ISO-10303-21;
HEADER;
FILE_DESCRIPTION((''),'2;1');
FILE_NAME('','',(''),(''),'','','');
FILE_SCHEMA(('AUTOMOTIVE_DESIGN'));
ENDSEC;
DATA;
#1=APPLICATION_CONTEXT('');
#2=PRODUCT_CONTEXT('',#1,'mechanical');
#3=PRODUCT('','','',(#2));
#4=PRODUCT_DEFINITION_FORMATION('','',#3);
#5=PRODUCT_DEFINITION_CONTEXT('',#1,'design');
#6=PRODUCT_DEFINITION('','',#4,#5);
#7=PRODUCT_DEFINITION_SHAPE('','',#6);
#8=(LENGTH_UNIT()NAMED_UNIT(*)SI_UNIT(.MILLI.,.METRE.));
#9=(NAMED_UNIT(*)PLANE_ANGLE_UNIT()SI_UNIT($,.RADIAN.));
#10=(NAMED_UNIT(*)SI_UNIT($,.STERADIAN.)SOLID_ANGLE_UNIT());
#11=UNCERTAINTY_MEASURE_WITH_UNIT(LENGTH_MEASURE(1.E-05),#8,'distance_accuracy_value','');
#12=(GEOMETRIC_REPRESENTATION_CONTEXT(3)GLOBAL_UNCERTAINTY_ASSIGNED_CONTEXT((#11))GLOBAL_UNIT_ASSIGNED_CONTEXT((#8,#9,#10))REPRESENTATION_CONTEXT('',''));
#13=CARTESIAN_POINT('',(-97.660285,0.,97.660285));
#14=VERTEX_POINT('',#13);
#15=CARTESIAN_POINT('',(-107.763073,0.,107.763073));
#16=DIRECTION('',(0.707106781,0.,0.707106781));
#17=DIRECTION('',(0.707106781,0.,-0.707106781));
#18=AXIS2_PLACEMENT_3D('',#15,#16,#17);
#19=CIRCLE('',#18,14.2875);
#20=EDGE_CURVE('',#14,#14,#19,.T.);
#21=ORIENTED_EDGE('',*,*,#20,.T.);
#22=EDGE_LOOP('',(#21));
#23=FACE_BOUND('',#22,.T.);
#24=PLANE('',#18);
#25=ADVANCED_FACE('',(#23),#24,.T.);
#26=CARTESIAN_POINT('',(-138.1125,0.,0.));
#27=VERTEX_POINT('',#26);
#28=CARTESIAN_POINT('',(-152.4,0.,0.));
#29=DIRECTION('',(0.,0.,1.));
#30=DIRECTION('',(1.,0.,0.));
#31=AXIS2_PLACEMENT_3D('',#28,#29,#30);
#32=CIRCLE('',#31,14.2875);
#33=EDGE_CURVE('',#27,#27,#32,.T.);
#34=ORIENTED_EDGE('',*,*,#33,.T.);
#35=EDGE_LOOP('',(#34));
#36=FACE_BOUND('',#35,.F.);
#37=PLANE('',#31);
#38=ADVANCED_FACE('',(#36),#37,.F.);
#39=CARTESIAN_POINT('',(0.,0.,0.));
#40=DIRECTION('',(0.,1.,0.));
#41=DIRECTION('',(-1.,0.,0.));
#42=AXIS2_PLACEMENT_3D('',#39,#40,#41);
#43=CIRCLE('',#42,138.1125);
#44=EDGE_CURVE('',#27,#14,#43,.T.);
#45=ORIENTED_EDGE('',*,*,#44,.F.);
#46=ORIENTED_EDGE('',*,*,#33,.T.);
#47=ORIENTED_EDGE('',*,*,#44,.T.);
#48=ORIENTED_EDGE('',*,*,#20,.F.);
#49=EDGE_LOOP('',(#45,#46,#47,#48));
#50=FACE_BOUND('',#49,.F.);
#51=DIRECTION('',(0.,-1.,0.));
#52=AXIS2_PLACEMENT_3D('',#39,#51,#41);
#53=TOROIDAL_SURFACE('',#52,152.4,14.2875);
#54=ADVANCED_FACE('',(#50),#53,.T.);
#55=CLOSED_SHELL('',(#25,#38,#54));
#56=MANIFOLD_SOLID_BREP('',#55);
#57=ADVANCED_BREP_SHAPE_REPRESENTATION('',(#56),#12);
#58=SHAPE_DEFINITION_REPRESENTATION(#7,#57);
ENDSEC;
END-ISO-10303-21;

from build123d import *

# Parameters (mm, degrees)
F0_R     = 14.2875
F1_ANGLE = -45


with BuildPart() as f1:
    # F0 (on Top) → F1 (revolve)
    with BuildSketch(Plane.XY):
        with Locations((-152.4, 0)):
            Circle(F0_R)
    revolve(axis=Axis((0, -79.112187, 0), (0, -1, 0)), revolution_arc=F1_ANGLE)


solid = f1.part
